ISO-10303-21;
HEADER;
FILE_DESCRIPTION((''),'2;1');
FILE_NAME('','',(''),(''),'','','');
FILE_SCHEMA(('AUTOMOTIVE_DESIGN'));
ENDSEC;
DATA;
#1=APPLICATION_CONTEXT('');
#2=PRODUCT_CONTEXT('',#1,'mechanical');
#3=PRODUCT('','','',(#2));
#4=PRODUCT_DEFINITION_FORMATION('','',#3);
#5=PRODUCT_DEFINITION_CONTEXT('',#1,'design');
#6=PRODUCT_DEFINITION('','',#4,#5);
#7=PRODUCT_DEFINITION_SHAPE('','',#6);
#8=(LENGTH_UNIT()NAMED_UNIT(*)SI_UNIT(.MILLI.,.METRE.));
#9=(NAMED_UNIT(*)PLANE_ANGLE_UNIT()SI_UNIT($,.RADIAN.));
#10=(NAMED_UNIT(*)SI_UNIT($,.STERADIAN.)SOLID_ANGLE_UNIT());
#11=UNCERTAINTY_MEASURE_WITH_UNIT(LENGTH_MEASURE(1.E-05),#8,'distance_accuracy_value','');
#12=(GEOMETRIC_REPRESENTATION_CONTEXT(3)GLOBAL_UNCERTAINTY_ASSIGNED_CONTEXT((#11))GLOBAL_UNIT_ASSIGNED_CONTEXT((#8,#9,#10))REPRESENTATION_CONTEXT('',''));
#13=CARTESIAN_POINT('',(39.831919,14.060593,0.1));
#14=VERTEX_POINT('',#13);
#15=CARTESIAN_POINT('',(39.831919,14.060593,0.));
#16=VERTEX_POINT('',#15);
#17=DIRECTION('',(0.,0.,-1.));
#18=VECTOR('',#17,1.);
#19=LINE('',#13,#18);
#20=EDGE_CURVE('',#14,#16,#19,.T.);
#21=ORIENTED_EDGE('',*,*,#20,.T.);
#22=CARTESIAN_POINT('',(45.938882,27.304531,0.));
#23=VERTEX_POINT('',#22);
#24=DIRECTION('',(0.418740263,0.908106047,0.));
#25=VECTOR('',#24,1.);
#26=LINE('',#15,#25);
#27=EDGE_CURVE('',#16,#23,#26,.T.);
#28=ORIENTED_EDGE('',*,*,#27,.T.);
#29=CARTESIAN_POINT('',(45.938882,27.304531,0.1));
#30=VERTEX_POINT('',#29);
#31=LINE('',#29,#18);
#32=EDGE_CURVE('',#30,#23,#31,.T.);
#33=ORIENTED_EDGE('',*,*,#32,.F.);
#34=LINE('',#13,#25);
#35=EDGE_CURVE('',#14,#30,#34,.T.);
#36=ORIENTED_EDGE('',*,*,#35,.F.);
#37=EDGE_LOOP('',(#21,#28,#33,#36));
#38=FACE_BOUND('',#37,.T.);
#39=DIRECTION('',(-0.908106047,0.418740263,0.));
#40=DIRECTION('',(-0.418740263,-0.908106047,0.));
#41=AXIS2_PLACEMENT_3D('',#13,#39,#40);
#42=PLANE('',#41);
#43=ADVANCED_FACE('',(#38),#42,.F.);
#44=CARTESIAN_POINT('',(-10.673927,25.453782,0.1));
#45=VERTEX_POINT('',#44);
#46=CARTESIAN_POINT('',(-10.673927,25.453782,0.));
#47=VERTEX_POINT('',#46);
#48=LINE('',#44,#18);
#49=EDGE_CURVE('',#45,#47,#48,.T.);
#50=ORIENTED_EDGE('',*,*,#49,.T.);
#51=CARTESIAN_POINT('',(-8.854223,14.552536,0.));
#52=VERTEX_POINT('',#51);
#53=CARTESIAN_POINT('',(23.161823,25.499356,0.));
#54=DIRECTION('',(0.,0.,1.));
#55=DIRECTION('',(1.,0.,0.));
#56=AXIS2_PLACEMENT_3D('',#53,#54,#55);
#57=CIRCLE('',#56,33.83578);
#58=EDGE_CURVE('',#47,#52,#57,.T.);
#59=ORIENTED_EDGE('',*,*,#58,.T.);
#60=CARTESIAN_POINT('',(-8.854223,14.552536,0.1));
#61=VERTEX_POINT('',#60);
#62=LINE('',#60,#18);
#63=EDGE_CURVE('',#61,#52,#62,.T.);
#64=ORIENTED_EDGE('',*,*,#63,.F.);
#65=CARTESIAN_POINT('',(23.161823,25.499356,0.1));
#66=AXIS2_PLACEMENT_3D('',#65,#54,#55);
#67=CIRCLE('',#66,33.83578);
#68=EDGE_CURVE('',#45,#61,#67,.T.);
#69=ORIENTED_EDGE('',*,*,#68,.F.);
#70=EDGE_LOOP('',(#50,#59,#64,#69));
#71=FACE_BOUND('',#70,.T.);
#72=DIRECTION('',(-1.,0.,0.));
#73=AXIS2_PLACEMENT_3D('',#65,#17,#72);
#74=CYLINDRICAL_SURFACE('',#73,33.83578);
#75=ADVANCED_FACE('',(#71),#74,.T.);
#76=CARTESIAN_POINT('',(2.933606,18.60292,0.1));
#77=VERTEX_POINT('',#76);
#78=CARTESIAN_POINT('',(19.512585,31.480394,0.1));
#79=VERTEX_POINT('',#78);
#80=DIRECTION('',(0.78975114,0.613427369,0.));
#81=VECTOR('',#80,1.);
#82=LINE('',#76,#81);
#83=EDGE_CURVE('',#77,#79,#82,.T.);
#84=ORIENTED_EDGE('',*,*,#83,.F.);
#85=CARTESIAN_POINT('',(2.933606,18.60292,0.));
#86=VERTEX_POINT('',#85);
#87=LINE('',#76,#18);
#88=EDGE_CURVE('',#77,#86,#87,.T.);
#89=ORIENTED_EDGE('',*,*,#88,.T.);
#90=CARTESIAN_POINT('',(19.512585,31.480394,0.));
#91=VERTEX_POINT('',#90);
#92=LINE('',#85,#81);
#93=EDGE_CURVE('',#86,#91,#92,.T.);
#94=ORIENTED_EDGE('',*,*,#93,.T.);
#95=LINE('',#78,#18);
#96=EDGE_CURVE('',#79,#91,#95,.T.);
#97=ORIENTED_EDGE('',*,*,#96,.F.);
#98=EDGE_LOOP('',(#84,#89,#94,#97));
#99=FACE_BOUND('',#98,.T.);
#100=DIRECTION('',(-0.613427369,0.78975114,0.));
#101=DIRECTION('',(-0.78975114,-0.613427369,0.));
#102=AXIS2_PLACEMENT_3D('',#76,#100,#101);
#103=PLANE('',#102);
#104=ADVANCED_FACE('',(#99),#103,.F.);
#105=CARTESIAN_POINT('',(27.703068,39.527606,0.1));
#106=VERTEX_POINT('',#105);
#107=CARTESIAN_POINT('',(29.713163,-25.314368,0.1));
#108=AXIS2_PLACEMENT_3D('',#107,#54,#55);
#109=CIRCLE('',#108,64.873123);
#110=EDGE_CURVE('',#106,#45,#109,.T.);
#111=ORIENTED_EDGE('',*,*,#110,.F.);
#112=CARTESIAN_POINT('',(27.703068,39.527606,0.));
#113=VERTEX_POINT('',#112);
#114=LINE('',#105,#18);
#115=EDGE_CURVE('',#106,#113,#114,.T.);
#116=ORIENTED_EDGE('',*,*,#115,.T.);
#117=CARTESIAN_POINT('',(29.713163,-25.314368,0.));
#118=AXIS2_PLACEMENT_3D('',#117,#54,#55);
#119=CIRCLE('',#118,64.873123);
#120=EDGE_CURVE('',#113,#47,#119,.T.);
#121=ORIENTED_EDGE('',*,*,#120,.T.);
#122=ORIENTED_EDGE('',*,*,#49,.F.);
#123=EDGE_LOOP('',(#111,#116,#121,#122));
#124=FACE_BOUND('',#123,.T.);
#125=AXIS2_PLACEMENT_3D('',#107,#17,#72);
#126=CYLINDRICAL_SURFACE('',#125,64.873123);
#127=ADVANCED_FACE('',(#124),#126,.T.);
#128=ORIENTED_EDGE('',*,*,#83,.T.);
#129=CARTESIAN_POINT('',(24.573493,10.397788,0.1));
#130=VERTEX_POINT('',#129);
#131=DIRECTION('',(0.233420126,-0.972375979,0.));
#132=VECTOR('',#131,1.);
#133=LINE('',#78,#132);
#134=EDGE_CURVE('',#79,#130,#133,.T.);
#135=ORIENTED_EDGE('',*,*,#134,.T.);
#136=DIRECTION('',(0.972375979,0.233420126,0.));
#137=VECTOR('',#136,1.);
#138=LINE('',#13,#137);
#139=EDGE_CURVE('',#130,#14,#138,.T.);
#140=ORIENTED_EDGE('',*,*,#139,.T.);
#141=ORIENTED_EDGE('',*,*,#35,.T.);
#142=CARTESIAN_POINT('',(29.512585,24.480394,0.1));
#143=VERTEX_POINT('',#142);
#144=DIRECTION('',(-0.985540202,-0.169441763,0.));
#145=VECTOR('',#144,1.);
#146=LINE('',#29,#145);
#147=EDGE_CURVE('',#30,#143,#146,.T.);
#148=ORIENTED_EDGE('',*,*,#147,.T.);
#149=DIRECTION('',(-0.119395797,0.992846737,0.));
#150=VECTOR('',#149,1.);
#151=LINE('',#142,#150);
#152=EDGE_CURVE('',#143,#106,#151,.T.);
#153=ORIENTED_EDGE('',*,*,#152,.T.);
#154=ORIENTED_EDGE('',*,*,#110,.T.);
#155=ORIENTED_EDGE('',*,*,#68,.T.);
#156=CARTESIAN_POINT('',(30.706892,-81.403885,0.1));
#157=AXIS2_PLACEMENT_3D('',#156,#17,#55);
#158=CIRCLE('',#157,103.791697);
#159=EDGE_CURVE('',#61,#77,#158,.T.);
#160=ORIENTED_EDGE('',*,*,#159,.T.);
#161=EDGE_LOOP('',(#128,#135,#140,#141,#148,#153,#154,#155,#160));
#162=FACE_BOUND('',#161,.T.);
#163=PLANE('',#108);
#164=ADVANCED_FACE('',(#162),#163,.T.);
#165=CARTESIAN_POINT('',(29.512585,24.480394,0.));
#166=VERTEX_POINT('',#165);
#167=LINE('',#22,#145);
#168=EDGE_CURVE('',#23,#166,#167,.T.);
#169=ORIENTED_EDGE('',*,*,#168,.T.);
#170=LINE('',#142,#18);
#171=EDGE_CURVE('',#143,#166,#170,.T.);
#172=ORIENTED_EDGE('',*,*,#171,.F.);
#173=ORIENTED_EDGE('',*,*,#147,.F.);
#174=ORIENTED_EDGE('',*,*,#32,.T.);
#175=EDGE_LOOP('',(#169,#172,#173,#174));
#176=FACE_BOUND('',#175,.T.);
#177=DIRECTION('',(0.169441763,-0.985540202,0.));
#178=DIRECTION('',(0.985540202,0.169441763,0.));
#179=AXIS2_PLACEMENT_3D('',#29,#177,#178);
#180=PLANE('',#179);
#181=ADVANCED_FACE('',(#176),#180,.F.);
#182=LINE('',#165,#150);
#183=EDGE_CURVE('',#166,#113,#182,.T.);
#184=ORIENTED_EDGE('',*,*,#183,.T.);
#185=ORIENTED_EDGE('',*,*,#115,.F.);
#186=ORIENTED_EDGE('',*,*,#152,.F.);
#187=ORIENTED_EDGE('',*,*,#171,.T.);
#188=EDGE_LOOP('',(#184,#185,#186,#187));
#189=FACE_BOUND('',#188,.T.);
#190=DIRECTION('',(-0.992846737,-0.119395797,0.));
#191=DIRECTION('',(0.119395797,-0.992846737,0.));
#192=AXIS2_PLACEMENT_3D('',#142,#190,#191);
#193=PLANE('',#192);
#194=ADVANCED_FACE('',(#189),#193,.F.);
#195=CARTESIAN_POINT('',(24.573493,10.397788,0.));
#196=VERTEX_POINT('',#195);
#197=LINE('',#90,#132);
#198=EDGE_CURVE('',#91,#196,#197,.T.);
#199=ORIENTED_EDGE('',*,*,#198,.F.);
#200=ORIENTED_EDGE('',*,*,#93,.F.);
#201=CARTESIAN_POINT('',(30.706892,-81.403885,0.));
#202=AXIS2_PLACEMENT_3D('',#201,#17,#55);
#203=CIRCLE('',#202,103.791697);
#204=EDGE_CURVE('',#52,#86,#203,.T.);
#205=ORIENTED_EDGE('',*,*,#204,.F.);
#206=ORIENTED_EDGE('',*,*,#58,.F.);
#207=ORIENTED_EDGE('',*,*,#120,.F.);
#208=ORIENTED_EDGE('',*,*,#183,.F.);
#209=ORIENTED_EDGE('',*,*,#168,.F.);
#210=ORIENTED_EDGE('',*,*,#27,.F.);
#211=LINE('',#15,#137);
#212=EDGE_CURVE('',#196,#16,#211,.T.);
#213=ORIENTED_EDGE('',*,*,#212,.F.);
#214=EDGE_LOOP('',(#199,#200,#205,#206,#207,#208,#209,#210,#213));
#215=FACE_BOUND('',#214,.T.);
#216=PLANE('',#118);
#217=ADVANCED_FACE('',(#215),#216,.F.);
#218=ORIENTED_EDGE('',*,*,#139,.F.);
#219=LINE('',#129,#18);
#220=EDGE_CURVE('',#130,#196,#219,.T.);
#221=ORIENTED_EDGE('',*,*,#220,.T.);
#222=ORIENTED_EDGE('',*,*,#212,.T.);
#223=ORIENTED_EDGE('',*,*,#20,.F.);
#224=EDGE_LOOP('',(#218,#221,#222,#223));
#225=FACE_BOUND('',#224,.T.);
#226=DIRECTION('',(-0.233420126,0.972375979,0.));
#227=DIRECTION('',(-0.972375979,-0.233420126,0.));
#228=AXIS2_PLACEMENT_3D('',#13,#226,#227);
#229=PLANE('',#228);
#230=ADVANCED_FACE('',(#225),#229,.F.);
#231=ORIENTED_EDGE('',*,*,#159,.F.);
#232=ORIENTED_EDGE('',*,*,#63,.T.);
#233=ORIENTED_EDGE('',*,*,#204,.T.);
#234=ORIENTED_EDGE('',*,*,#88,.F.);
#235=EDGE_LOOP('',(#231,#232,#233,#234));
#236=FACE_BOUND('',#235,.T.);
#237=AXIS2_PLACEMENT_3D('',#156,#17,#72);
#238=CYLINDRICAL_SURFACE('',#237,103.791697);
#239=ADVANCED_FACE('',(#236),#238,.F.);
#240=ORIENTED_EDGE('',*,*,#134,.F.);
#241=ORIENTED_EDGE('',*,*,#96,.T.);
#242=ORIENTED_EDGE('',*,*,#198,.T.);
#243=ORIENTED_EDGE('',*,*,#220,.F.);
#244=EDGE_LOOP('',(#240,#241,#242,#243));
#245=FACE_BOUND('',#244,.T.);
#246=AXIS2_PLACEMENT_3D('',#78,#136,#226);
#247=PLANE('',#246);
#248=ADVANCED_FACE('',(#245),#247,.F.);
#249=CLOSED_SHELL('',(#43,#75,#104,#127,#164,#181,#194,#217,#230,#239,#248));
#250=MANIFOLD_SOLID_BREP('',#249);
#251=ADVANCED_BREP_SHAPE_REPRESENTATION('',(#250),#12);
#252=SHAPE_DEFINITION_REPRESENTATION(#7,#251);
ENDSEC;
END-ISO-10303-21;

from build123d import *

# Parameters (mm, degrees)
SALIENTE_EXTRUIR1_DEPTH = 0.1


with BuildPart() as part:
    # Model → Saliente-Extruir1 (new body)
    with BuildSketch(Plane.XY):
        with BuildLine():
            Line((29.512585392, 24.480394017), (27.703067566, 39.527605983))
            ThreePointArc((27.703067566, 39.527605983), (7.377127931, 35.592311556), (-10.673926914, 25.453781916))
            ThreePointArc((-10.673926914, 25.453781916), (-10.212179423, 19.928358371), (-8.854222662, 14.552535688))
            ThreePointArc((-8.854222662, 14.552535688), (-3.021164415, 16.754836825), (2.933605753, 18.6029199))
            Line((2.933605753, 18.6029199), (19.512585392, 31.480394017))
            Line((19.512585392, 31.480394017), (24.573492595, 10.397787824))
            Line((24.573492595, 10.397787824), (39.831918887, 14.06059302))
            Line((39.831918887, 14.06059302), (45.938881991, 27.30453113))
            Line((45.938881991, 27.30453113), (29.512585392, 24.480394017))
        make_face()
    extrude(amount=SALIENTE_EXTRUIR1_DEPTH)


solid = part.part
